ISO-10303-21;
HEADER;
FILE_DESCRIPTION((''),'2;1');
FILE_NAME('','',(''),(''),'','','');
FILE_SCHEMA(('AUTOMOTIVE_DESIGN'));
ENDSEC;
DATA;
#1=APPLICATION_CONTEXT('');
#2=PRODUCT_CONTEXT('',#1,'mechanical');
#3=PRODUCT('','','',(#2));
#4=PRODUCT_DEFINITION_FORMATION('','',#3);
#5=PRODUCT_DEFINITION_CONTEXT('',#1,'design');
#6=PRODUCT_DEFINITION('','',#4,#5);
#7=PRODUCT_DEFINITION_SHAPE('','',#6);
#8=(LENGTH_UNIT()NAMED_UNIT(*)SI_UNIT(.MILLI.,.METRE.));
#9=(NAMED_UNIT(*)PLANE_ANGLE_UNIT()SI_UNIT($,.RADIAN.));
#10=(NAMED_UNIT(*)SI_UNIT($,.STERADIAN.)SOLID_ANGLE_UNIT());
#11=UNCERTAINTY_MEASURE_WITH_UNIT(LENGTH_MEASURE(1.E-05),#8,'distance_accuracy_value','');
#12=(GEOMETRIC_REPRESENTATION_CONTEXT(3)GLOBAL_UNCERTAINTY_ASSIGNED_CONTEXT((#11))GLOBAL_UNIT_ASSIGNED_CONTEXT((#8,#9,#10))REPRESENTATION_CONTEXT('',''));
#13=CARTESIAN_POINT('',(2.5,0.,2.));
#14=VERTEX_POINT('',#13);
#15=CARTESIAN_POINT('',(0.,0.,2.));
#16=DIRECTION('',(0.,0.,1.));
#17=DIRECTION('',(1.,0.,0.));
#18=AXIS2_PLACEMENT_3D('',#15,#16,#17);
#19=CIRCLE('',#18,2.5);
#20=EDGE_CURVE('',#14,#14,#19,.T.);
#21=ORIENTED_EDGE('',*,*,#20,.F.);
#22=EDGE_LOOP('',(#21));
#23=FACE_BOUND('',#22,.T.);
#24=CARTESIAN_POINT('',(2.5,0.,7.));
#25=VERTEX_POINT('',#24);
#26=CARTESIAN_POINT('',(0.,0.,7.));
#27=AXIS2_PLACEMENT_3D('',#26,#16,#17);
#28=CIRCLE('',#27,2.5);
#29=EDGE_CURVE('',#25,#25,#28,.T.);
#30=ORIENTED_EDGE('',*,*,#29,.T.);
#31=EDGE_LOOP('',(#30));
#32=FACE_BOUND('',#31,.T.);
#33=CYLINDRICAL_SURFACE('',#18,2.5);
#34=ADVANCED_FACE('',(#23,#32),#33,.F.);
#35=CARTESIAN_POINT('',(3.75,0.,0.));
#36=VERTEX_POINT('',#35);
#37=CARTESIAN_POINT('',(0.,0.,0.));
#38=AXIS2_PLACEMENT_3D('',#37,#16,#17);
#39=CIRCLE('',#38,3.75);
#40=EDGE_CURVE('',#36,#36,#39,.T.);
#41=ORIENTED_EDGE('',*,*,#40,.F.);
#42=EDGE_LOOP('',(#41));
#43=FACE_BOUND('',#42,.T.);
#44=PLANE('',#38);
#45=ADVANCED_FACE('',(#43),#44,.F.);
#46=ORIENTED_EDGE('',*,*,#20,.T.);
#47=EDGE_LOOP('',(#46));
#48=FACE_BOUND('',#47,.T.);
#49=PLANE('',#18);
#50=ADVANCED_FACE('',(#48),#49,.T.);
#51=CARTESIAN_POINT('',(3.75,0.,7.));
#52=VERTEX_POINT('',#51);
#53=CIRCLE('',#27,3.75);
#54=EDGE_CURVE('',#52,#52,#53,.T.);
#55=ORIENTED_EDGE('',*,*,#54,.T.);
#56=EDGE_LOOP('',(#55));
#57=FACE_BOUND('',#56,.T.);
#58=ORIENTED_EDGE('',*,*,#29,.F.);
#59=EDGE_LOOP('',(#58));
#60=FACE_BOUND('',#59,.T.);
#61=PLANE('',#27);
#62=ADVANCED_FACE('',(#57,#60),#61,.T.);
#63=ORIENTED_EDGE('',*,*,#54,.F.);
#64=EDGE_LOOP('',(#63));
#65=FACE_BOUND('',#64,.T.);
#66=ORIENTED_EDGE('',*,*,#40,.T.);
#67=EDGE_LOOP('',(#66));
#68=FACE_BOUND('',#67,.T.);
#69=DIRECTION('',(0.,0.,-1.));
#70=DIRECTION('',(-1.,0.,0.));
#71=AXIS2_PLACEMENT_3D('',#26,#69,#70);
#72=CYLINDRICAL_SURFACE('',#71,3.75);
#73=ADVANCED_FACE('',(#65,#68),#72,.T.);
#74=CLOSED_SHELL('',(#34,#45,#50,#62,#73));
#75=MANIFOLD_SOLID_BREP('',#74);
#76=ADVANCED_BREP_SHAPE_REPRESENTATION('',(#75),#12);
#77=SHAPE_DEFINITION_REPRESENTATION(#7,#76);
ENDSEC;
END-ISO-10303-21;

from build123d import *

# Parameters (mm, degrees)
SKETCH1_R           = 3.75
BOSS_EXTRUDE1_DEPTH = 7
SKETCH2_R           = 2.5
CUT_EXTRUDE1_DEPTH  = 5


with BuildPart() as part:
    # Sketch1 → Boss-Extrude1 (new body)
    with BuildSketch(Plane.XY):
        Circle(SKETCH1_R)
    extrude(amount=BOSS_EXTRUDE1_DEPTH)

    # Sketch2 → Cut-Extrude1 (cut)
    with BuildSketch(Plane.XY.offset(7)):
        Circle(SKETCH2_R)
    extrude(amount=-CUT_EXTRUDE1_DEPTH, mode=Mode.SUBTRACT)


solid = part.part
